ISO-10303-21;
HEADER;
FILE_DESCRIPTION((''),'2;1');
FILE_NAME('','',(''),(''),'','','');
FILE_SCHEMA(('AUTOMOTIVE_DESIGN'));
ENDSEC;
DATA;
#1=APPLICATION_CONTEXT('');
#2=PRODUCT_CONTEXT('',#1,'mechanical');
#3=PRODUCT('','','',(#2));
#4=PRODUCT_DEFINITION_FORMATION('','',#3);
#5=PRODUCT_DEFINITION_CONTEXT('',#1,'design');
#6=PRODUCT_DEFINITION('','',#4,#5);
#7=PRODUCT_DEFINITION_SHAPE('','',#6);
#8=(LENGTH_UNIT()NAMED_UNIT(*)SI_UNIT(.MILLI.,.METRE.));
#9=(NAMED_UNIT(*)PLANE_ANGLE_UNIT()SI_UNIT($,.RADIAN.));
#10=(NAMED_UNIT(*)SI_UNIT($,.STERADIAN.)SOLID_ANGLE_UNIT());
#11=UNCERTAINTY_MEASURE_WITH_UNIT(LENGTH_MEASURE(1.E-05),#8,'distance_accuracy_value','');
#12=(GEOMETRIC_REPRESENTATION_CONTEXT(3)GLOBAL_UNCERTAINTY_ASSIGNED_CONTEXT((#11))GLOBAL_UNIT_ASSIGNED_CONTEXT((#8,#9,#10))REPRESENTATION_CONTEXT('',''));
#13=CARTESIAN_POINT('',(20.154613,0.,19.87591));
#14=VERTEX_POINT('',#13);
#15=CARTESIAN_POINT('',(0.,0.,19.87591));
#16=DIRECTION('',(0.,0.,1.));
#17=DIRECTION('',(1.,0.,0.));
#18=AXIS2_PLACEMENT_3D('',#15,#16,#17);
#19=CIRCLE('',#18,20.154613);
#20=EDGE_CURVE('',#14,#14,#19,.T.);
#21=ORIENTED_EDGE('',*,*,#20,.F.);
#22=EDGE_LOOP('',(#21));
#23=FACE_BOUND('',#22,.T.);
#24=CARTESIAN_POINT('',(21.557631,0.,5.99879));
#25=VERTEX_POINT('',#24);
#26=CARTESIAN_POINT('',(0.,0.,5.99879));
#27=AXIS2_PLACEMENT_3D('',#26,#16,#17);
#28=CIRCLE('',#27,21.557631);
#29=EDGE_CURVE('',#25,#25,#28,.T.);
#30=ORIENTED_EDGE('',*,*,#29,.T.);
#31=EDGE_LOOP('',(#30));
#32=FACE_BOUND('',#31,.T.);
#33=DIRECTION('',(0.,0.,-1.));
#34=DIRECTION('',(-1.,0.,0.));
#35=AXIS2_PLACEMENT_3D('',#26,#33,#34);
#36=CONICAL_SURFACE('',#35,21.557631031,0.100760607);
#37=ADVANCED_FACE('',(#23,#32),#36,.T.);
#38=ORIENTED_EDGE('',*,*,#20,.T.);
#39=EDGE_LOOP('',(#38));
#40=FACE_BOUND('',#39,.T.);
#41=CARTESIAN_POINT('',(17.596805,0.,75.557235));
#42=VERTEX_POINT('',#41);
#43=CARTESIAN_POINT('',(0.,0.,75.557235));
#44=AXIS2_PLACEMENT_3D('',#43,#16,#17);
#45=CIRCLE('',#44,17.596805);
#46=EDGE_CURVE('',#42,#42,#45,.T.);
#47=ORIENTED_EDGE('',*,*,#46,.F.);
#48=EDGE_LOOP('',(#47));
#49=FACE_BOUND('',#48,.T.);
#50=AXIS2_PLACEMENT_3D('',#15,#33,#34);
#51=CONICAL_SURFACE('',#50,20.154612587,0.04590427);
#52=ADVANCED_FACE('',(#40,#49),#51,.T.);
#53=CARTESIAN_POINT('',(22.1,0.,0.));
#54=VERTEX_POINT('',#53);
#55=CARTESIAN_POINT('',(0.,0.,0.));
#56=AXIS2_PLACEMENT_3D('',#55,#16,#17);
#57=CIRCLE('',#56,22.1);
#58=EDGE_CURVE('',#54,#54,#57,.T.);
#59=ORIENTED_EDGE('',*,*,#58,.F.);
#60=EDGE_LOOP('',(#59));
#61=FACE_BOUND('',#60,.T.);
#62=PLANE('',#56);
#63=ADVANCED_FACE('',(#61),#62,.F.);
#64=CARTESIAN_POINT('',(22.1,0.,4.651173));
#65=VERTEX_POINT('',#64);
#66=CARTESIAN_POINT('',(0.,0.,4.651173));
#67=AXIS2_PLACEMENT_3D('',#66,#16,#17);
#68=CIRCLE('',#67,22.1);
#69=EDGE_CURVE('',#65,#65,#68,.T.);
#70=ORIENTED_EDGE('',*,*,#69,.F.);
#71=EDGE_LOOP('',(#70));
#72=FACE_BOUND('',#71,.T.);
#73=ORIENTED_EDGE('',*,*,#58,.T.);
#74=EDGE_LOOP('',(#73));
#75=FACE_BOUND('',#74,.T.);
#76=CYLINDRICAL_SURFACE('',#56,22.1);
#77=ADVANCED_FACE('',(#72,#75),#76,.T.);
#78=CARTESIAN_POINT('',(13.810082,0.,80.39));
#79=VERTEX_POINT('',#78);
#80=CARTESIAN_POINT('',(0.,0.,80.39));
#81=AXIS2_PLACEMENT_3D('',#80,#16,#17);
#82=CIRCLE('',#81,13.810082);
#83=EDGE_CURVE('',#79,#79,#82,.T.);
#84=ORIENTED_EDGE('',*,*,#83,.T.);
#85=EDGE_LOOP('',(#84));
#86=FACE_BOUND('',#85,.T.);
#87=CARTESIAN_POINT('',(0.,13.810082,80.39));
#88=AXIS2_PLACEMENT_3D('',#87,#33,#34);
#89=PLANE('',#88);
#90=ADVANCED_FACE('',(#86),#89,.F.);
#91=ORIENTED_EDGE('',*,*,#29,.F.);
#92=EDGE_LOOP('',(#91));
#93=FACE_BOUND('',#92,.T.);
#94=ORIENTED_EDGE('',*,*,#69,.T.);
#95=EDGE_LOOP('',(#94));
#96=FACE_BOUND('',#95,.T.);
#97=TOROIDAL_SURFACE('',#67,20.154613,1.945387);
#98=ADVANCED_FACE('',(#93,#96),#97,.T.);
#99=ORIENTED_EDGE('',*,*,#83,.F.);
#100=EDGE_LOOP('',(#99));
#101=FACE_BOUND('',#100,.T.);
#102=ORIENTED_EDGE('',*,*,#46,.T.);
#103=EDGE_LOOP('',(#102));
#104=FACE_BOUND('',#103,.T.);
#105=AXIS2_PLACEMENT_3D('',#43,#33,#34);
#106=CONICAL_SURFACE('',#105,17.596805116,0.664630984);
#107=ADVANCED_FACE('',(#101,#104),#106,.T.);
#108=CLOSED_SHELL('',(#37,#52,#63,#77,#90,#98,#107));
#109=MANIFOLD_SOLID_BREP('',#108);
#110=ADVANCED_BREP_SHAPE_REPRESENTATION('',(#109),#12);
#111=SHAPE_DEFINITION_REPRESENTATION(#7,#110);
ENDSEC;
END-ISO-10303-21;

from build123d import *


with BuildPart() as part:
    # Sketch1 → Revolve1 (revolve)
    with BuildSketch(Plane(origin=(0, 0, 0), x_dir=(0, 0, -1), z_dir=(1, 0, 0)), mode=Mode.PRIVATE) as revolve1_sk:
        with BuildLine():
            Line((0, 0), (0, 22.1))
            Line((0, 22.1), (-4.651172639, 22.1))
            ThreePointArc((-4.651172639, 22.1), (-5.377505127, 21.959321235), (-5.998789585, 21.557631031))
            Line((-5.998789585, 21.557631031), (-19.875910061, 20.154612587))
            Line((-19.875910061, 20.154612587), (-75.557235443, 17.596805116))
            Line((-75.557235443, 17.596805116), (-80.39, 13.810082113))
            Line((-80.39, 13.810082113), (-80.39, 0))
            Line((-80.39, 0), (0, 0))
        make_face()
    revolve(revolve1_sk.sketch.rotate(Axis((0, 0, 0), (0, 0, -1)), 90), axis=Axis((0, 0, 0), (0, 0, -1)))


solid = part.part
